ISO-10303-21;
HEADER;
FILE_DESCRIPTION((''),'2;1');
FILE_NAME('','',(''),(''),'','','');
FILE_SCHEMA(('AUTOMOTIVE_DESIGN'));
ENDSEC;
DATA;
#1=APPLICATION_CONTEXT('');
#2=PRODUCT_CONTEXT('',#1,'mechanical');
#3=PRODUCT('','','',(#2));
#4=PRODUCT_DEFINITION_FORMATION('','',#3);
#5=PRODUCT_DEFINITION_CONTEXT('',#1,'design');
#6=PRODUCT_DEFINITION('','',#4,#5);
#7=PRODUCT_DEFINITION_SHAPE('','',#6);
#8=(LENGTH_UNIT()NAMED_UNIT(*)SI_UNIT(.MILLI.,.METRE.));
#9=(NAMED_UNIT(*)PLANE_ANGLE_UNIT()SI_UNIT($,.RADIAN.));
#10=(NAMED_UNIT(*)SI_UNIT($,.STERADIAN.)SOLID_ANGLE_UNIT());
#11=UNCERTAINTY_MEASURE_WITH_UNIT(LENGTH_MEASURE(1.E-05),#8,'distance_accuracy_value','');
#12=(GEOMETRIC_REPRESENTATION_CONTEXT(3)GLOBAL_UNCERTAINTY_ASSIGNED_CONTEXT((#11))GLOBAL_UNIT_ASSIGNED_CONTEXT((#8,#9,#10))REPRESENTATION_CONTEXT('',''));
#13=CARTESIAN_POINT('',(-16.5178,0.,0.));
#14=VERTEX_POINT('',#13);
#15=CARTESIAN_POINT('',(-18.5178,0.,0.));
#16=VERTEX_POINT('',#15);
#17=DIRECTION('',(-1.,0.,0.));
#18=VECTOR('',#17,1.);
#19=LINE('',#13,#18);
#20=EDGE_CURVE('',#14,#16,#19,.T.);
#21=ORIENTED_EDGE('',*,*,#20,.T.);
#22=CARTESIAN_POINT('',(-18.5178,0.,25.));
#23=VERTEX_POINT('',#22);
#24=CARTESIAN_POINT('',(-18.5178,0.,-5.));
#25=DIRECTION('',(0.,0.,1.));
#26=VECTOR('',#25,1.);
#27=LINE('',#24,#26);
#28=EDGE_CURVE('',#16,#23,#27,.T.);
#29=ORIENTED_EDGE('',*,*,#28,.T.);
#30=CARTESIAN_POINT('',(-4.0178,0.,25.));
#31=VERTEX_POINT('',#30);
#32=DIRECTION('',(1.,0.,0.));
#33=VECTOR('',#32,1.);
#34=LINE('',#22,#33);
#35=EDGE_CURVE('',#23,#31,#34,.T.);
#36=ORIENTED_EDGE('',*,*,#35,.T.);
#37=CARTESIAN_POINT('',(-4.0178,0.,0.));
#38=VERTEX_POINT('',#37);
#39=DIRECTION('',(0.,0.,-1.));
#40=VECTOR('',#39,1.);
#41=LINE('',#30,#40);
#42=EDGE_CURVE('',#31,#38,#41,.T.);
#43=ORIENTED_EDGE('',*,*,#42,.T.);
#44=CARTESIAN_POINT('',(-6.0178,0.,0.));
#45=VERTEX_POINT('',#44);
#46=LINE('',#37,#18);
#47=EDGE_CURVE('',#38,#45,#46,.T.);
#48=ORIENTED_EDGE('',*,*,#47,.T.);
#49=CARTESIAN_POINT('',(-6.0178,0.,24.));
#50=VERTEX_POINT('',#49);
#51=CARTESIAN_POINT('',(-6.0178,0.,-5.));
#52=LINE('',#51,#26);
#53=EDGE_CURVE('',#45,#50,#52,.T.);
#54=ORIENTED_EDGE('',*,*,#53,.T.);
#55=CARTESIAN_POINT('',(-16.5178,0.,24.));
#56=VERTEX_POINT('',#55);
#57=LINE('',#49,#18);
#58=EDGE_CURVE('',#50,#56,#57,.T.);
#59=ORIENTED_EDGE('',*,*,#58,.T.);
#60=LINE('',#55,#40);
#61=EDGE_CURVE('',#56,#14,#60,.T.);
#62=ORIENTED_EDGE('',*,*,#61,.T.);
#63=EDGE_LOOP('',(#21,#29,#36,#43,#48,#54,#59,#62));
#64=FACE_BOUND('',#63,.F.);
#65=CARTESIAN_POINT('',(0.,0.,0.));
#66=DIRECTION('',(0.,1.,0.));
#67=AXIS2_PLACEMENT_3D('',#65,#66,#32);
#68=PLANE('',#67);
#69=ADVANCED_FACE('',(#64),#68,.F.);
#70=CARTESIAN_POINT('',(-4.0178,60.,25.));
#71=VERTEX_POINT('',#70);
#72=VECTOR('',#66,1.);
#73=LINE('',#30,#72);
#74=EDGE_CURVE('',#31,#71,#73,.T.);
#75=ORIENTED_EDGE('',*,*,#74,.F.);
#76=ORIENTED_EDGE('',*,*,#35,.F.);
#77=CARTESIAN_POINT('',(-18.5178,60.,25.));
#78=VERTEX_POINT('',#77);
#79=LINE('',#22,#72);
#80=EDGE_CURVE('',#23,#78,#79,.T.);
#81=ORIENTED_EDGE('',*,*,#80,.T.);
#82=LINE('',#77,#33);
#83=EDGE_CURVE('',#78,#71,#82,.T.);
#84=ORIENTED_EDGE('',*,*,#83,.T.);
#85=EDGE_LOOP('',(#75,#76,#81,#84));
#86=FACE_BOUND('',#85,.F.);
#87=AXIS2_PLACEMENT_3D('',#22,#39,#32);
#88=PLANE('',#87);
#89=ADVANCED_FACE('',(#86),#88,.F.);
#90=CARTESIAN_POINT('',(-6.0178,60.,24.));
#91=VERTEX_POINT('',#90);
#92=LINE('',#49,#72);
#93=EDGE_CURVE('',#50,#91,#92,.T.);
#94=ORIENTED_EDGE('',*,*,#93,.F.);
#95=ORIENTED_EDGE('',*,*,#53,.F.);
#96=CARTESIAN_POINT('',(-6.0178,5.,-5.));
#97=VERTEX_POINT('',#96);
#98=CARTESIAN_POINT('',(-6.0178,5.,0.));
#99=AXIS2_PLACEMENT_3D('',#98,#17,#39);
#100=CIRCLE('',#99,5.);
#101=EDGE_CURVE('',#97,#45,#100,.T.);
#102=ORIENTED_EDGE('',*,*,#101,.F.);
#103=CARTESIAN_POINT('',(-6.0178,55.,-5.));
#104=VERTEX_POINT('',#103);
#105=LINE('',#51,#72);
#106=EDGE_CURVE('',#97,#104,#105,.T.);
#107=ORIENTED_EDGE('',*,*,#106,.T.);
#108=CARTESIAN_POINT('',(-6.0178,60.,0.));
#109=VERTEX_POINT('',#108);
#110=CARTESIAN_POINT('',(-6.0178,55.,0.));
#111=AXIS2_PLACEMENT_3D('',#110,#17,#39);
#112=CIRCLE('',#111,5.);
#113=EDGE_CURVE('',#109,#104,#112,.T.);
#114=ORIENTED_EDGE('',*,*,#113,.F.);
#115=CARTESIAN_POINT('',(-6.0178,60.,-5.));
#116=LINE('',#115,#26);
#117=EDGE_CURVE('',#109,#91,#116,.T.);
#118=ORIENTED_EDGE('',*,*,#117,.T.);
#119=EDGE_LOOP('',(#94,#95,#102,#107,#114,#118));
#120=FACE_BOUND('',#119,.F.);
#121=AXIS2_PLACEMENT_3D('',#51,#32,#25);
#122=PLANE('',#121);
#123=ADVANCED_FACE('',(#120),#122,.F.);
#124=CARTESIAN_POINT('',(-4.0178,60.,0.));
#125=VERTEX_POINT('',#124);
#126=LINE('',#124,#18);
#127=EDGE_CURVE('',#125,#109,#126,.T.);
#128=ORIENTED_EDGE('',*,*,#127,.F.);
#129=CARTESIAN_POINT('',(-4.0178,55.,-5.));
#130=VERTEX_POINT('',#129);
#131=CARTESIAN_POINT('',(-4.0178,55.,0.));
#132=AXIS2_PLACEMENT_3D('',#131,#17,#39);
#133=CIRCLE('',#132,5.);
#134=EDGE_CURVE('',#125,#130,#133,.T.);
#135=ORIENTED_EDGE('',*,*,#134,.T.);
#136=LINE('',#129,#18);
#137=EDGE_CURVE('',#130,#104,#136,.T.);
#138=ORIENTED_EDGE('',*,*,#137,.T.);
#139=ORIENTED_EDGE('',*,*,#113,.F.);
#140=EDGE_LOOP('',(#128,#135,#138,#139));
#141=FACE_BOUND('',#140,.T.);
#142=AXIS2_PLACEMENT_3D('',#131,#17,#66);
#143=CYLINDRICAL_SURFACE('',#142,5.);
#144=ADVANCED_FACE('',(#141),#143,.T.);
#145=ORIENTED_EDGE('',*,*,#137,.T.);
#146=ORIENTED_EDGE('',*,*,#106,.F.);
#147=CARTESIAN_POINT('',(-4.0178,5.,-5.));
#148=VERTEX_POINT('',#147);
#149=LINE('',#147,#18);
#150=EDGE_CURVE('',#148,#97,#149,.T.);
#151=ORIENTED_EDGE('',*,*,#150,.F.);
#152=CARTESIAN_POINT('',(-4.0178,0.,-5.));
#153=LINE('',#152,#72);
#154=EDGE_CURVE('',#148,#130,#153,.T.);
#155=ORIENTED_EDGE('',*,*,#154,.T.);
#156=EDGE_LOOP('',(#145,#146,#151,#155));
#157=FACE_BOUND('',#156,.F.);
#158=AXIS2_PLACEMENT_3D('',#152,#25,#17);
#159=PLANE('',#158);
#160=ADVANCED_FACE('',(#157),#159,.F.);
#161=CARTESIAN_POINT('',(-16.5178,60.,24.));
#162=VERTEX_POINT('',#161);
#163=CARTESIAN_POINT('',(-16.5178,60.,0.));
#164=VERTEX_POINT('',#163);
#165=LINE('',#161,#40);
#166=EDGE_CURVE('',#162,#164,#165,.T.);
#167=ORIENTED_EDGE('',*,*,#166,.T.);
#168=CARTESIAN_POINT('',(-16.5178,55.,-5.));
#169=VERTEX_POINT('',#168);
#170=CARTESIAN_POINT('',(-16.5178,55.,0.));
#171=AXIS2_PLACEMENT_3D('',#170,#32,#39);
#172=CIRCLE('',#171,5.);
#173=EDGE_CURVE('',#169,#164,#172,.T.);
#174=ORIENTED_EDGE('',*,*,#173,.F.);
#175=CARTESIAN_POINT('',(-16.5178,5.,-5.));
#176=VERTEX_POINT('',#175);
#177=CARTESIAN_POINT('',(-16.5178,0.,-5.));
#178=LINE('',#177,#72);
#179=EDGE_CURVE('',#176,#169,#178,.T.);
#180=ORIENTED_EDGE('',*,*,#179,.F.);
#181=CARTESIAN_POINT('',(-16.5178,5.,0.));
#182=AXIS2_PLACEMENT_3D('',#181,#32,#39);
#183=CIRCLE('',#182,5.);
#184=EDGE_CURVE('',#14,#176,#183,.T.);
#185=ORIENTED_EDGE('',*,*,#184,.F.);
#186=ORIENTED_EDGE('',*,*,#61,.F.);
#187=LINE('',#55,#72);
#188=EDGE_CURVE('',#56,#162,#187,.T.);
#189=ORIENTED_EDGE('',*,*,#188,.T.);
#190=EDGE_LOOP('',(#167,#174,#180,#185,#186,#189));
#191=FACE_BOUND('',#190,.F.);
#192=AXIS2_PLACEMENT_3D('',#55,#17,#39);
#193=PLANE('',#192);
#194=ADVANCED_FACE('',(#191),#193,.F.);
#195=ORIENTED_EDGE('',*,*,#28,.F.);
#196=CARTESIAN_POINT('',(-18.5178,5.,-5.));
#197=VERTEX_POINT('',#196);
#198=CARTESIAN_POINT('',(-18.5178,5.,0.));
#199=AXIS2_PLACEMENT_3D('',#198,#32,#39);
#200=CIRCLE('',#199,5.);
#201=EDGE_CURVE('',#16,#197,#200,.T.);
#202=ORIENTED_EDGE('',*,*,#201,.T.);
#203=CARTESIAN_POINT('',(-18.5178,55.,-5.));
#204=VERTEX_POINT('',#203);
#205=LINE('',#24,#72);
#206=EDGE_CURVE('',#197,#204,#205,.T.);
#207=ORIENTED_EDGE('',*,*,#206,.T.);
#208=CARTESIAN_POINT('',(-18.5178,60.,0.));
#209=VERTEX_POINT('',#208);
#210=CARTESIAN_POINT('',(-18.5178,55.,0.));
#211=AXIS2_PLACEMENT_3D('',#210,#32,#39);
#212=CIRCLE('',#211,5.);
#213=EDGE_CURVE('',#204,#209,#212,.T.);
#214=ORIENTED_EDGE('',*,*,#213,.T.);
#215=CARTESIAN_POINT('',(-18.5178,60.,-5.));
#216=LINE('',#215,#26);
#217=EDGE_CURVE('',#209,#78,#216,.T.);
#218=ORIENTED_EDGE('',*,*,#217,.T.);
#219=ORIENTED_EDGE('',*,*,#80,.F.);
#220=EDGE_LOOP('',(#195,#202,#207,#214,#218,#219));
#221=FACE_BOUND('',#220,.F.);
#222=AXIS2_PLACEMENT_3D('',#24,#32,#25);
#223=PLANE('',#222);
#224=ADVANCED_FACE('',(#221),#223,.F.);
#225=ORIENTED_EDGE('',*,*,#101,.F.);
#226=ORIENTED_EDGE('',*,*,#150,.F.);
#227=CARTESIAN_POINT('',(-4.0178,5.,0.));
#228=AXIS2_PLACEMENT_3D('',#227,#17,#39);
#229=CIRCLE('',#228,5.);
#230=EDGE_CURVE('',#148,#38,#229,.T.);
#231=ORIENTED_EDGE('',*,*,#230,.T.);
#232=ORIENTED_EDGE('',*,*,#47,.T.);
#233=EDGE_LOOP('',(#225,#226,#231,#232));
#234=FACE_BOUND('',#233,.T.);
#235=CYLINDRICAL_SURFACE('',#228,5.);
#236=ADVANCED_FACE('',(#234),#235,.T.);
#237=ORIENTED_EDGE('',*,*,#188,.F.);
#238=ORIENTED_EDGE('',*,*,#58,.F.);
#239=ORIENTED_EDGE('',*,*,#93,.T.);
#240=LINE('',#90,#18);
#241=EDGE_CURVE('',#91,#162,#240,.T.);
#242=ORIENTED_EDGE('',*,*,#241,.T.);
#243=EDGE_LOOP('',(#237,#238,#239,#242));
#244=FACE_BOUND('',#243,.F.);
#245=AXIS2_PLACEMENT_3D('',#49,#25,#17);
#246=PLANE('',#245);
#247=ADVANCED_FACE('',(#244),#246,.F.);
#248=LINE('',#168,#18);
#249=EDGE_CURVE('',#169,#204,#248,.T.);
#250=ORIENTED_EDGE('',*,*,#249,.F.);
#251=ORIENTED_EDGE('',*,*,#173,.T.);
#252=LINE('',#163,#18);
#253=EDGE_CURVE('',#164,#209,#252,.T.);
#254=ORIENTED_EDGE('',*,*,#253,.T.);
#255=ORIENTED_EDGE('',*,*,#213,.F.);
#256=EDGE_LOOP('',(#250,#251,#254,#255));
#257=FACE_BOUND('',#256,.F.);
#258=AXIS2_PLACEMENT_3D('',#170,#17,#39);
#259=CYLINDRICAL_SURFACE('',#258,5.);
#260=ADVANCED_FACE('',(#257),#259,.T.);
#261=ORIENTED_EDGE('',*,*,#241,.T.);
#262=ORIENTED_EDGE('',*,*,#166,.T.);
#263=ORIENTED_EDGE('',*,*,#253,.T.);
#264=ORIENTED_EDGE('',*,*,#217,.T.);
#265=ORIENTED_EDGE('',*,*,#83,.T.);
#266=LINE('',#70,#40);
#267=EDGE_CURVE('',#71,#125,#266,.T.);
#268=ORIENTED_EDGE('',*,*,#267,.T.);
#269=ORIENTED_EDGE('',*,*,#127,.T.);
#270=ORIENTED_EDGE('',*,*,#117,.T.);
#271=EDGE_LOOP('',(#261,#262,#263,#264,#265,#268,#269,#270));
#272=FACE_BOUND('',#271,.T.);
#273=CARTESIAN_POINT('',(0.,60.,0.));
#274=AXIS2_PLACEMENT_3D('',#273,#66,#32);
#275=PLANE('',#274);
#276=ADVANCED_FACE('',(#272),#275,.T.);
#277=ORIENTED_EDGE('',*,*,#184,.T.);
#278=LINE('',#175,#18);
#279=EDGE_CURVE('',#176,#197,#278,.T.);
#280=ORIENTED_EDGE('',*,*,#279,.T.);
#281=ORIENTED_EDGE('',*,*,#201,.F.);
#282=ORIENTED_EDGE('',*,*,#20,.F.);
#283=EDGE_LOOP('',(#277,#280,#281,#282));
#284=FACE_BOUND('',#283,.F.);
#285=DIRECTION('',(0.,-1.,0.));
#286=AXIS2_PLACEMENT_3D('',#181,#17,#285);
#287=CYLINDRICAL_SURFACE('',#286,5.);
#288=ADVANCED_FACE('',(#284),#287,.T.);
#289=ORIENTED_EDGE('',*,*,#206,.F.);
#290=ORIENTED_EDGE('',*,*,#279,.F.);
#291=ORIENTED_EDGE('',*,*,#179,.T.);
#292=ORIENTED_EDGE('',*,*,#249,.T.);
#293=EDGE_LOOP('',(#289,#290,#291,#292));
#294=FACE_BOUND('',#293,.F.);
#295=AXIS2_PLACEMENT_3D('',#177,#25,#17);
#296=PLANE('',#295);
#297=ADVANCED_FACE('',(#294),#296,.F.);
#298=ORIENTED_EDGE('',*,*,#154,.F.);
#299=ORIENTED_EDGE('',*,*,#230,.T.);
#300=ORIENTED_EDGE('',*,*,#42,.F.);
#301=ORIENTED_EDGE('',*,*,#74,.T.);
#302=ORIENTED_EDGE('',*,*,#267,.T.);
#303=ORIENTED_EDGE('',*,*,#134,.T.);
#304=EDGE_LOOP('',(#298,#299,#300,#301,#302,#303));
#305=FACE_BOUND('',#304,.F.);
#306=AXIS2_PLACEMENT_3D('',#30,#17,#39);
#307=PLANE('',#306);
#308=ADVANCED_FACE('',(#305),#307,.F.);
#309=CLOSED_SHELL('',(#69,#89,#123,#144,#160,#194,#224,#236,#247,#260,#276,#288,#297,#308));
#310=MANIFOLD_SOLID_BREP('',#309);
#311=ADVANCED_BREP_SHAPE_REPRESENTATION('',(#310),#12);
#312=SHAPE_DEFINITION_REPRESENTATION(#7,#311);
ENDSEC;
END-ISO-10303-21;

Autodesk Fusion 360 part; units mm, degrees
sketch "Sketch1" plane through (0, 0, 0) normal (0, 1, 0) x (1, 0, 0)
  line L0 (-18.5178, -25) -> (-4.0178, -25)
  line L1 (-4.0178, -25) -> (-4.0178, 5)
  line L2 (-4.0178, 5) -> (-18.5178, 5)
  line L3 (-18.5178, 5) -> (-18.5178, -25)
  line L4 (-16.5178, 5) -> (-6.0178, 5)
  line L5 (-6.0178, 5) -> (-6.0178, -24)
  line L6 (-6.0178, -24) -> (-16.5178, -24)
  line L7 (-16.5178, -24) -> (-16.5178, 5)
  dimension "d1" = 14.5
  dimension "d2" = 30
  dimension "d3" = 10.5
  dimension "d4" = 2
  dimension "d5" = 1
extrude "Extrude1" add sketch "Sketch1" along normal blind 60 contours L0 L1 L2 L3 L5 L6 L7
fillet "Fillet1" radius 5 1 edges at (-5.0178, 0, -5)
fillet "Fillet2" radius 5 1 edges at (-17.5178, 0, -5)
fillet "Fillet3" radius 5 1 edges at (-17.5178, 60, -5)
fillet "Fillet4" radius 5 1 edges at (-5.0178, 60, -5)
